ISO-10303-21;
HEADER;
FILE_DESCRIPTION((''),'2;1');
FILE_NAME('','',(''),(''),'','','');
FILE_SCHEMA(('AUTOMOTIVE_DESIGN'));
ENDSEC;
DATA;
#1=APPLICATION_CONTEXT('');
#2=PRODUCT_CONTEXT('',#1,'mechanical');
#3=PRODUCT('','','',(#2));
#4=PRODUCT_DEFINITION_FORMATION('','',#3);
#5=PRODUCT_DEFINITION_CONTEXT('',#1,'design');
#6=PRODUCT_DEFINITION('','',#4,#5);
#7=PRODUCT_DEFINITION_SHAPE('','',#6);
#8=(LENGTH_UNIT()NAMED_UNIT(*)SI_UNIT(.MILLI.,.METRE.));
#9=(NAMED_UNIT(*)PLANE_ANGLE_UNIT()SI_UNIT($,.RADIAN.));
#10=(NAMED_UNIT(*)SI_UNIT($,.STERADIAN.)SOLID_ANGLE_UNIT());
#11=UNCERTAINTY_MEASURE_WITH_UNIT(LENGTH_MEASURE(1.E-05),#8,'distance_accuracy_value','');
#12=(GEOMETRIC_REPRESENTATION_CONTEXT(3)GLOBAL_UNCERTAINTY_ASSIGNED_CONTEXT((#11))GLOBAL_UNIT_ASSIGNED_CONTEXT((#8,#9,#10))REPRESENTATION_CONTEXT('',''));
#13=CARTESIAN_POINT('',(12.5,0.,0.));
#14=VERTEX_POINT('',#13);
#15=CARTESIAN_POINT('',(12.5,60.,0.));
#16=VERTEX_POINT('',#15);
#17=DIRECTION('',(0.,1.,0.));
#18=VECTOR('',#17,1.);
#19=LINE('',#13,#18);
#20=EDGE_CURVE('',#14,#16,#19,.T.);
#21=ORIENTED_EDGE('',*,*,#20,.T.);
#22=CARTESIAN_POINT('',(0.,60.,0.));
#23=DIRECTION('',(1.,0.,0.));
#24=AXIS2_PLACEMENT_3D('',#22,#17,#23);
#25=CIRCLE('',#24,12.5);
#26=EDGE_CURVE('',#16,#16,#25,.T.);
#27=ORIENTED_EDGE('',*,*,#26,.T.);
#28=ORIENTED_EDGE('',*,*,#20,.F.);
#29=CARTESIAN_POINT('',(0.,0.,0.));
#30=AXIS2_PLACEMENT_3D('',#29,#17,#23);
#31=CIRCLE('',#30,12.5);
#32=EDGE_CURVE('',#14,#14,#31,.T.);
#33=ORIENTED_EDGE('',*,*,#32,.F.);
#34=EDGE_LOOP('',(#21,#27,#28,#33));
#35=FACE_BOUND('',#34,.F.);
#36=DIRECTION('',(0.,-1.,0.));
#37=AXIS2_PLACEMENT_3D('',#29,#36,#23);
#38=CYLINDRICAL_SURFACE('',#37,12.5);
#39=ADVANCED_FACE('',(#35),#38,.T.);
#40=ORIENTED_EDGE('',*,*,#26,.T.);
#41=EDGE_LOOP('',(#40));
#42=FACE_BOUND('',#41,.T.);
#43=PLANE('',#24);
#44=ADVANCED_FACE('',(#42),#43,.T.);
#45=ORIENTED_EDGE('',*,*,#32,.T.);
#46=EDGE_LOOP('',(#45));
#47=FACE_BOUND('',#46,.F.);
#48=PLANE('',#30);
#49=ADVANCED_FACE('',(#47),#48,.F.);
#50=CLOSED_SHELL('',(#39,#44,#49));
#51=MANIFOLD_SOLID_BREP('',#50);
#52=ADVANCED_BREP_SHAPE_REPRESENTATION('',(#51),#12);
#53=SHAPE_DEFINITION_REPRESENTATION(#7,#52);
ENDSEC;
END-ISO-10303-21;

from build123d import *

# Parameters (mm, degrees)
SKETCH1_R           = 12.5
BOSS_EXTRUDE1_DEPTH = 60


with BuildPart() as part:
    # Sketch1 → Boss-Extrude1 (new body)
    with BuildSketch(Plane(origin=(0, 0, 0), x_dir=(1, 0, 0), z_dir=(0, 1, 0))):
        Circle(SKETCH1_R)
    extrude(amount=BOSS_EXTRUDE1_DEPTH)


solid = part.part
